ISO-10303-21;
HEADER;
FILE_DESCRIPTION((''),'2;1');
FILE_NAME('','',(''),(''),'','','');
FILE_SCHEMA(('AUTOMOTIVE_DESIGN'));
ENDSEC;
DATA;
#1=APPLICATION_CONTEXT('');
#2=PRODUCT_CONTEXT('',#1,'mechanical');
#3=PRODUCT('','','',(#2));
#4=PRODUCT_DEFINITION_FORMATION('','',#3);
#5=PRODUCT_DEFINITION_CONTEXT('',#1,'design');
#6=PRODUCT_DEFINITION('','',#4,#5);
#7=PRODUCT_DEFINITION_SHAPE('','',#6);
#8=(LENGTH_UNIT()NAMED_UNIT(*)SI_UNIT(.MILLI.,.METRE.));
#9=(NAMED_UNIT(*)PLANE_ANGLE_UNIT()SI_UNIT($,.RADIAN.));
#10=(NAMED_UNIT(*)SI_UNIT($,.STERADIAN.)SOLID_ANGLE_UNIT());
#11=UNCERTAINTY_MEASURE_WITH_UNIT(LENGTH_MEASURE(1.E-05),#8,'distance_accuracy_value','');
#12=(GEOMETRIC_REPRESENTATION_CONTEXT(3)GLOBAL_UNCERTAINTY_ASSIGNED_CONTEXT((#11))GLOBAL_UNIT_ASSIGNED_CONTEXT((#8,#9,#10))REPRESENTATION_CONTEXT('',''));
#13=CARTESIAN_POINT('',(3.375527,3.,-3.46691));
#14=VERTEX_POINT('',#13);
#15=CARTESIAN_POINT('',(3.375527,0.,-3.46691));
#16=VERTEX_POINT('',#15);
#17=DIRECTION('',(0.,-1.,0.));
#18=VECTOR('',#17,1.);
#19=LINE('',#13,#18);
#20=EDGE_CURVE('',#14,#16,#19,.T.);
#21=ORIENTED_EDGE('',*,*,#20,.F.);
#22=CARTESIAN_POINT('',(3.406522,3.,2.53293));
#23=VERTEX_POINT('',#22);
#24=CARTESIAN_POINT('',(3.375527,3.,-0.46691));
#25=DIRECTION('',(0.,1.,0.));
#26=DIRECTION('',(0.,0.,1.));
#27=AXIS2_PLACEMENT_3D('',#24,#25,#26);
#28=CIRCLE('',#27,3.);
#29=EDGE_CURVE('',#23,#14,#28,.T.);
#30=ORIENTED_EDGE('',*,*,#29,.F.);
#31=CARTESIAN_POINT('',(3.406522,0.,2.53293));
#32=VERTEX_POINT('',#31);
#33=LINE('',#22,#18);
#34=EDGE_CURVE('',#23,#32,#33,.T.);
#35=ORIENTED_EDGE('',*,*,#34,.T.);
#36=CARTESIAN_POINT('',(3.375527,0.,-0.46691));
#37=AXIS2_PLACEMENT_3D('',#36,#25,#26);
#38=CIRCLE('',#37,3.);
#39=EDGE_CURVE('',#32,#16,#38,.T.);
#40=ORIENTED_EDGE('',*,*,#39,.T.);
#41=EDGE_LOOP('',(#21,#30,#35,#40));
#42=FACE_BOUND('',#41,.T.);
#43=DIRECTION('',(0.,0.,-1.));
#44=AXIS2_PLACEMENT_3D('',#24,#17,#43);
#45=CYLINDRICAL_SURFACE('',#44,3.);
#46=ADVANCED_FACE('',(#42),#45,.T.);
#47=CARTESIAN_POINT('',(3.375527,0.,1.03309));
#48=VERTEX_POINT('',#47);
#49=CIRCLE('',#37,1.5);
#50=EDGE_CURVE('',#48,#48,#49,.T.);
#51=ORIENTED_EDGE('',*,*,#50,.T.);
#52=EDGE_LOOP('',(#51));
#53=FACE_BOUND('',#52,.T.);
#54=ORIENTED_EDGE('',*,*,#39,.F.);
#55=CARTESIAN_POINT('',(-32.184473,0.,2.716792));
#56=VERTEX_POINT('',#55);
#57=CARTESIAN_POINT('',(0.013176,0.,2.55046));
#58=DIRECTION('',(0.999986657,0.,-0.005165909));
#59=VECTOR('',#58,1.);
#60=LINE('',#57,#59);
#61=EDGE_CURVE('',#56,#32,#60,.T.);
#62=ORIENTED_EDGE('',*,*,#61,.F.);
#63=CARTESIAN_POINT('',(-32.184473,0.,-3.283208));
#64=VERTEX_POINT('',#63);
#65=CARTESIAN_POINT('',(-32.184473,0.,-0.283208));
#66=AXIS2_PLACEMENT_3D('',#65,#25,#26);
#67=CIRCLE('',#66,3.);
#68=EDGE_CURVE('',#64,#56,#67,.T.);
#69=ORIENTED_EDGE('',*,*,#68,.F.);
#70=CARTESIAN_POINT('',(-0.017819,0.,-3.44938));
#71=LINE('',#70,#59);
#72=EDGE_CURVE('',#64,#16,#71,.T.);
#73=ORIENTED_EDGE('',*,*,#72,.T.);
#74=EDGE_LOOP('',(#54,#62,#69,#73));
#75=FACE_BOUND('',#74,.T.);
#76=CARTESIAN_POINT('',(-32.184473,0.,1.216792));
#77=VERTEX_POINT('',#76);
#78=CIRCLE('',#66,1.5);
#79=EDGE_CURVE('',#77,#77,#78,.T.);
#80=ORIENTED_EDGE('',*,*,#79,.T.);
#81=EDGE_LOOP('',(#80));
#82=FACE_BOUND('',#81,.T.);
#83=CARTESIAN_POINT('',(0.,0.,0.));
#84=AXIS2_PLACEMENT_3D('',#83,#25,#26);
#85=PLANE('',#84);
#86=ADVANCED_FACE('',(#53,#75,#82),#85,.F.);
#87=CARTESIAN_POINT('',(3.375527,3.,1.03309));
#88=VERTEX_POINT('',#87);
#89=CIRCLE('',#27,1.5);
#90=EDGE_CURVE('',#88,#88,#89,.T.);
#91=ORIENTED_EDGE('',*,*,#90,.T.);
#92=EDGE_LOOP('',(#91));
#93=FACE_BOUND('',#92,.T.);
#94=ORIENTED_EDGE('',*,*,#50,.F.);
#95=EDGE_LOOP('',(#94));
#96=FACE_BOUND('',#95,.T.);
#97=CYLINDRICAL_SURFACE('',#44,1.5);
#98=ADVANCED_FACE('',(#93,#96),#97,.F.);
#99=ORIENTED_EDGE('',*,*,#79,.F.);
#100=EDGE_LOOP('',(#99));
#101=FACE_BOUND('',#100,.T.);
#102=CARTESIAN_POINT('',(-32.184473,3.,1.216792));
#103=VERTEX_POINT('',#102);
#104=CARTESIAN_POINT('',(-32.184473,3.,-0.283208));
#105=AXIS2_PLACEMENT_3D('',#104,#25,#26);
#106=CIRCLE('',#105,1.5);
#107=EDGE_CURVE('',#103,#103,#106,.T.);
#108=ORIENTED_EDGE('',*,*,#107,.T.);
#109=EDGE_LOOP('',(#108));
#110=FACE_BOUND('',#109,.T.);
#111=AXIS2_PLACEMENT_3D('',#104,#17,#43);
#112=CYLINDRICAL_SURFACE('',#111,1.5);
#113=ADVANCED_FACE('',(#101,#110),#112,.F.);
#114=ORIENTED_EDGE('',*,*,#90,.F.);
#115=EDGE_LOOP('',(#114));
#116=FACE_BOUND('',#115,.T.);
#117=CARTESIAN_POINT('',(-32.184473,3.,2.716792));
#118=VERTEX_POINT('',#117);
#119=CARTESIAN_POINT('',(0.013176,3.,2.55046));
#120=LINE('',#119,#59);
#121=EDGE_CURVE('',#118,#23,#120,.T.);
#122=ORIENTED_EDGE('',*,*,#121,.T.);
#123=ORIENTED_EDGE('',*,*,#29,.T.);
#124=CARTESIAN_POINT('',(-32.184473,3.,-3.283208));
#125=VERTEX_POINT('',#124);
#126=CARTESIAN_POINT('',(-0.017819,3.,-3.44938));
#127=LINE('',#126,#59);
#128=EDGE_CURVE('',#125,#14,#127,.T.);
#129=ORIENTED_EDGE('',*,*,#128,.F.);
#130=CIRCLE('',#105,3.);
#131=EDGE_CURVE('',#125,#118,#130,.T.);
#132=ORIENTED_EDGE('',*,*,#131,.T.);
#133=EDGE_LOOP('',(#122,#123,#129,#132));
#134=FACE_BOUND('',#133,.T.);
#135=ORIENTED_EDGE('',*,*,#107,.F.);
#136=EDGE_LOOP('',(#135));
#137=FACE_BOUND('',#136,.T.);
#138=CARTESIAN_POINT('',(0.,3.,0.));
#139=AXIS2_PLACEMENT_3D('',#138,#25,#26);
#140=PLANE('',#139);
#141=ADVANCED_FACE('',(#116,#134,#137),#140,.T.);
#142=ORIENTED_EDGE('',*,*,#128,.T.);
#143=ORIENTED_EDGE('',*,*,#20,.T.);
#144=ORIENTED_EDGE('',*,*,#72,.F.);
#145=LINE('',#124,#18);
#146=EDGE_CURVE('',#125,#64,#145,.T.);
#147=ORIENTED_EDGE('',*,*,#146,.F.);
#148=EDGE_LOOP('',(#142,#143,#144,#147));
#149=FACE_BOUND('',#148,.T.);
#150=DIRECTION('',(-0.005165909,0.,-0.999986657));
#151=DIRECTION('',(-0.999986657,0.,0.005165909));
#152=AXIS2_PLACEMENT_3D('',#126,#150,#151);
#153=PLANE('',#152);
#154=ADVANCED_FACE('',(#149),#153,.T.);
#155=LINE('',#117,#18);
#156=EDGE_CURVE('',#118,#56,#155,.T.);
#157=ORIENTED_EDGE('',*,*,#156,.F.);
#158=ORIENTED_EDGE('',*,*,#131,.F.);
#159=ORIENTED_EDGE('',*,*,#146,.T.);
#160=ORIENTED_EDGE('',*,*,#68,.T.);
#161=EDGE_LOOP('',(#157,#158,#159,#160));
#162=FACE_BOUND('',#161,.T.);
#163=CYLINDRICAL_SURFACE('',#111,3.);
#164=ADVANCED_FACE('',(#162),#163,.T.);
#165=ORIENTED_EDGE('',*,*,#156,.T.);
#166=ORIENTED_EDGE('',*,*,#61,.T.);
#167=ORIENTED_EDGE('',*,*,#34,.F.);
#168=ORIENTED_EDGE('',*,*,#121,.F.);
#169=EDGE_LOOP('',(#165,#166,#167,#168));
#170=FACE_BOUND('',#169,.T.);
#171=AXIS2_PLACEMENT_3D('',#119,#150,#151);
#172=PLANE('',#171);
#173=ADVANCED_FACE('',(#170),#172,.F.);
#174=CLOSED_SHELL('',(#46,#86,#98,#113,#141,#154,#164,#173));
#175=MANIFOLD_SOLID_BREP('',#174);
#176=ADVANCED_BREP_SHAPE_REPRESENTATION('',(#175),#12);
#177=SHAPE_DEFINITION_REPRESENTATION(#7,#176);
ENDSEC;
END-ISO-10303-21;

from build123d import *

# Parameters (mm, degrees)
SKETCH1_R           = 1.5
BOSS_EXTRUDE1_DEPTH = 3


with BuildPart() as part:
    # Sketch1 → Boss-Extrude1 (new body)
    with BuildSketch(Plane(origin=(0, 0, 0), x_dir=(1, 0, 0), z_dir=(0, 1, 0))):
        with BuildLine():
            Line((3.344532209, 3.466749545), (-32.184472752, 3.283207502))
            ThreePointArc((-32.184472752, 3.283207502), (-35.184472752, 0.283207502), (-32.184472752, -2.716792498))
            Line((-32.184472752, -2.716792498), (-32.153477714, -2.716632379))
            Line((-32.153477714, -2.716632379), (3.375527237, -2.533090335))
            Line((3.375527237, -2.533090335), (3.406522296, -2.532930216))
            ThreePointArc((3.406522296, -2.532930216), (6.375487217, 0.482407396), (3.375527248, 3.466909665))
            Line((3.375527248, 3.466909665), (3.344532209, 3.466749545))
        make_face()
        with Locations((-32.184472752, 0.283207502)):
            Circle(SKETCH1_R, mode=Mode.SUBTRACT)
        with Locations((3.375527248, 0.466909665)):
            Circle(SKETCH1_R, mode=Mode.SUBTRACT)
    extrude(amount=BOSS_EXTRUDE1_DEPTH)


solid = part.part
